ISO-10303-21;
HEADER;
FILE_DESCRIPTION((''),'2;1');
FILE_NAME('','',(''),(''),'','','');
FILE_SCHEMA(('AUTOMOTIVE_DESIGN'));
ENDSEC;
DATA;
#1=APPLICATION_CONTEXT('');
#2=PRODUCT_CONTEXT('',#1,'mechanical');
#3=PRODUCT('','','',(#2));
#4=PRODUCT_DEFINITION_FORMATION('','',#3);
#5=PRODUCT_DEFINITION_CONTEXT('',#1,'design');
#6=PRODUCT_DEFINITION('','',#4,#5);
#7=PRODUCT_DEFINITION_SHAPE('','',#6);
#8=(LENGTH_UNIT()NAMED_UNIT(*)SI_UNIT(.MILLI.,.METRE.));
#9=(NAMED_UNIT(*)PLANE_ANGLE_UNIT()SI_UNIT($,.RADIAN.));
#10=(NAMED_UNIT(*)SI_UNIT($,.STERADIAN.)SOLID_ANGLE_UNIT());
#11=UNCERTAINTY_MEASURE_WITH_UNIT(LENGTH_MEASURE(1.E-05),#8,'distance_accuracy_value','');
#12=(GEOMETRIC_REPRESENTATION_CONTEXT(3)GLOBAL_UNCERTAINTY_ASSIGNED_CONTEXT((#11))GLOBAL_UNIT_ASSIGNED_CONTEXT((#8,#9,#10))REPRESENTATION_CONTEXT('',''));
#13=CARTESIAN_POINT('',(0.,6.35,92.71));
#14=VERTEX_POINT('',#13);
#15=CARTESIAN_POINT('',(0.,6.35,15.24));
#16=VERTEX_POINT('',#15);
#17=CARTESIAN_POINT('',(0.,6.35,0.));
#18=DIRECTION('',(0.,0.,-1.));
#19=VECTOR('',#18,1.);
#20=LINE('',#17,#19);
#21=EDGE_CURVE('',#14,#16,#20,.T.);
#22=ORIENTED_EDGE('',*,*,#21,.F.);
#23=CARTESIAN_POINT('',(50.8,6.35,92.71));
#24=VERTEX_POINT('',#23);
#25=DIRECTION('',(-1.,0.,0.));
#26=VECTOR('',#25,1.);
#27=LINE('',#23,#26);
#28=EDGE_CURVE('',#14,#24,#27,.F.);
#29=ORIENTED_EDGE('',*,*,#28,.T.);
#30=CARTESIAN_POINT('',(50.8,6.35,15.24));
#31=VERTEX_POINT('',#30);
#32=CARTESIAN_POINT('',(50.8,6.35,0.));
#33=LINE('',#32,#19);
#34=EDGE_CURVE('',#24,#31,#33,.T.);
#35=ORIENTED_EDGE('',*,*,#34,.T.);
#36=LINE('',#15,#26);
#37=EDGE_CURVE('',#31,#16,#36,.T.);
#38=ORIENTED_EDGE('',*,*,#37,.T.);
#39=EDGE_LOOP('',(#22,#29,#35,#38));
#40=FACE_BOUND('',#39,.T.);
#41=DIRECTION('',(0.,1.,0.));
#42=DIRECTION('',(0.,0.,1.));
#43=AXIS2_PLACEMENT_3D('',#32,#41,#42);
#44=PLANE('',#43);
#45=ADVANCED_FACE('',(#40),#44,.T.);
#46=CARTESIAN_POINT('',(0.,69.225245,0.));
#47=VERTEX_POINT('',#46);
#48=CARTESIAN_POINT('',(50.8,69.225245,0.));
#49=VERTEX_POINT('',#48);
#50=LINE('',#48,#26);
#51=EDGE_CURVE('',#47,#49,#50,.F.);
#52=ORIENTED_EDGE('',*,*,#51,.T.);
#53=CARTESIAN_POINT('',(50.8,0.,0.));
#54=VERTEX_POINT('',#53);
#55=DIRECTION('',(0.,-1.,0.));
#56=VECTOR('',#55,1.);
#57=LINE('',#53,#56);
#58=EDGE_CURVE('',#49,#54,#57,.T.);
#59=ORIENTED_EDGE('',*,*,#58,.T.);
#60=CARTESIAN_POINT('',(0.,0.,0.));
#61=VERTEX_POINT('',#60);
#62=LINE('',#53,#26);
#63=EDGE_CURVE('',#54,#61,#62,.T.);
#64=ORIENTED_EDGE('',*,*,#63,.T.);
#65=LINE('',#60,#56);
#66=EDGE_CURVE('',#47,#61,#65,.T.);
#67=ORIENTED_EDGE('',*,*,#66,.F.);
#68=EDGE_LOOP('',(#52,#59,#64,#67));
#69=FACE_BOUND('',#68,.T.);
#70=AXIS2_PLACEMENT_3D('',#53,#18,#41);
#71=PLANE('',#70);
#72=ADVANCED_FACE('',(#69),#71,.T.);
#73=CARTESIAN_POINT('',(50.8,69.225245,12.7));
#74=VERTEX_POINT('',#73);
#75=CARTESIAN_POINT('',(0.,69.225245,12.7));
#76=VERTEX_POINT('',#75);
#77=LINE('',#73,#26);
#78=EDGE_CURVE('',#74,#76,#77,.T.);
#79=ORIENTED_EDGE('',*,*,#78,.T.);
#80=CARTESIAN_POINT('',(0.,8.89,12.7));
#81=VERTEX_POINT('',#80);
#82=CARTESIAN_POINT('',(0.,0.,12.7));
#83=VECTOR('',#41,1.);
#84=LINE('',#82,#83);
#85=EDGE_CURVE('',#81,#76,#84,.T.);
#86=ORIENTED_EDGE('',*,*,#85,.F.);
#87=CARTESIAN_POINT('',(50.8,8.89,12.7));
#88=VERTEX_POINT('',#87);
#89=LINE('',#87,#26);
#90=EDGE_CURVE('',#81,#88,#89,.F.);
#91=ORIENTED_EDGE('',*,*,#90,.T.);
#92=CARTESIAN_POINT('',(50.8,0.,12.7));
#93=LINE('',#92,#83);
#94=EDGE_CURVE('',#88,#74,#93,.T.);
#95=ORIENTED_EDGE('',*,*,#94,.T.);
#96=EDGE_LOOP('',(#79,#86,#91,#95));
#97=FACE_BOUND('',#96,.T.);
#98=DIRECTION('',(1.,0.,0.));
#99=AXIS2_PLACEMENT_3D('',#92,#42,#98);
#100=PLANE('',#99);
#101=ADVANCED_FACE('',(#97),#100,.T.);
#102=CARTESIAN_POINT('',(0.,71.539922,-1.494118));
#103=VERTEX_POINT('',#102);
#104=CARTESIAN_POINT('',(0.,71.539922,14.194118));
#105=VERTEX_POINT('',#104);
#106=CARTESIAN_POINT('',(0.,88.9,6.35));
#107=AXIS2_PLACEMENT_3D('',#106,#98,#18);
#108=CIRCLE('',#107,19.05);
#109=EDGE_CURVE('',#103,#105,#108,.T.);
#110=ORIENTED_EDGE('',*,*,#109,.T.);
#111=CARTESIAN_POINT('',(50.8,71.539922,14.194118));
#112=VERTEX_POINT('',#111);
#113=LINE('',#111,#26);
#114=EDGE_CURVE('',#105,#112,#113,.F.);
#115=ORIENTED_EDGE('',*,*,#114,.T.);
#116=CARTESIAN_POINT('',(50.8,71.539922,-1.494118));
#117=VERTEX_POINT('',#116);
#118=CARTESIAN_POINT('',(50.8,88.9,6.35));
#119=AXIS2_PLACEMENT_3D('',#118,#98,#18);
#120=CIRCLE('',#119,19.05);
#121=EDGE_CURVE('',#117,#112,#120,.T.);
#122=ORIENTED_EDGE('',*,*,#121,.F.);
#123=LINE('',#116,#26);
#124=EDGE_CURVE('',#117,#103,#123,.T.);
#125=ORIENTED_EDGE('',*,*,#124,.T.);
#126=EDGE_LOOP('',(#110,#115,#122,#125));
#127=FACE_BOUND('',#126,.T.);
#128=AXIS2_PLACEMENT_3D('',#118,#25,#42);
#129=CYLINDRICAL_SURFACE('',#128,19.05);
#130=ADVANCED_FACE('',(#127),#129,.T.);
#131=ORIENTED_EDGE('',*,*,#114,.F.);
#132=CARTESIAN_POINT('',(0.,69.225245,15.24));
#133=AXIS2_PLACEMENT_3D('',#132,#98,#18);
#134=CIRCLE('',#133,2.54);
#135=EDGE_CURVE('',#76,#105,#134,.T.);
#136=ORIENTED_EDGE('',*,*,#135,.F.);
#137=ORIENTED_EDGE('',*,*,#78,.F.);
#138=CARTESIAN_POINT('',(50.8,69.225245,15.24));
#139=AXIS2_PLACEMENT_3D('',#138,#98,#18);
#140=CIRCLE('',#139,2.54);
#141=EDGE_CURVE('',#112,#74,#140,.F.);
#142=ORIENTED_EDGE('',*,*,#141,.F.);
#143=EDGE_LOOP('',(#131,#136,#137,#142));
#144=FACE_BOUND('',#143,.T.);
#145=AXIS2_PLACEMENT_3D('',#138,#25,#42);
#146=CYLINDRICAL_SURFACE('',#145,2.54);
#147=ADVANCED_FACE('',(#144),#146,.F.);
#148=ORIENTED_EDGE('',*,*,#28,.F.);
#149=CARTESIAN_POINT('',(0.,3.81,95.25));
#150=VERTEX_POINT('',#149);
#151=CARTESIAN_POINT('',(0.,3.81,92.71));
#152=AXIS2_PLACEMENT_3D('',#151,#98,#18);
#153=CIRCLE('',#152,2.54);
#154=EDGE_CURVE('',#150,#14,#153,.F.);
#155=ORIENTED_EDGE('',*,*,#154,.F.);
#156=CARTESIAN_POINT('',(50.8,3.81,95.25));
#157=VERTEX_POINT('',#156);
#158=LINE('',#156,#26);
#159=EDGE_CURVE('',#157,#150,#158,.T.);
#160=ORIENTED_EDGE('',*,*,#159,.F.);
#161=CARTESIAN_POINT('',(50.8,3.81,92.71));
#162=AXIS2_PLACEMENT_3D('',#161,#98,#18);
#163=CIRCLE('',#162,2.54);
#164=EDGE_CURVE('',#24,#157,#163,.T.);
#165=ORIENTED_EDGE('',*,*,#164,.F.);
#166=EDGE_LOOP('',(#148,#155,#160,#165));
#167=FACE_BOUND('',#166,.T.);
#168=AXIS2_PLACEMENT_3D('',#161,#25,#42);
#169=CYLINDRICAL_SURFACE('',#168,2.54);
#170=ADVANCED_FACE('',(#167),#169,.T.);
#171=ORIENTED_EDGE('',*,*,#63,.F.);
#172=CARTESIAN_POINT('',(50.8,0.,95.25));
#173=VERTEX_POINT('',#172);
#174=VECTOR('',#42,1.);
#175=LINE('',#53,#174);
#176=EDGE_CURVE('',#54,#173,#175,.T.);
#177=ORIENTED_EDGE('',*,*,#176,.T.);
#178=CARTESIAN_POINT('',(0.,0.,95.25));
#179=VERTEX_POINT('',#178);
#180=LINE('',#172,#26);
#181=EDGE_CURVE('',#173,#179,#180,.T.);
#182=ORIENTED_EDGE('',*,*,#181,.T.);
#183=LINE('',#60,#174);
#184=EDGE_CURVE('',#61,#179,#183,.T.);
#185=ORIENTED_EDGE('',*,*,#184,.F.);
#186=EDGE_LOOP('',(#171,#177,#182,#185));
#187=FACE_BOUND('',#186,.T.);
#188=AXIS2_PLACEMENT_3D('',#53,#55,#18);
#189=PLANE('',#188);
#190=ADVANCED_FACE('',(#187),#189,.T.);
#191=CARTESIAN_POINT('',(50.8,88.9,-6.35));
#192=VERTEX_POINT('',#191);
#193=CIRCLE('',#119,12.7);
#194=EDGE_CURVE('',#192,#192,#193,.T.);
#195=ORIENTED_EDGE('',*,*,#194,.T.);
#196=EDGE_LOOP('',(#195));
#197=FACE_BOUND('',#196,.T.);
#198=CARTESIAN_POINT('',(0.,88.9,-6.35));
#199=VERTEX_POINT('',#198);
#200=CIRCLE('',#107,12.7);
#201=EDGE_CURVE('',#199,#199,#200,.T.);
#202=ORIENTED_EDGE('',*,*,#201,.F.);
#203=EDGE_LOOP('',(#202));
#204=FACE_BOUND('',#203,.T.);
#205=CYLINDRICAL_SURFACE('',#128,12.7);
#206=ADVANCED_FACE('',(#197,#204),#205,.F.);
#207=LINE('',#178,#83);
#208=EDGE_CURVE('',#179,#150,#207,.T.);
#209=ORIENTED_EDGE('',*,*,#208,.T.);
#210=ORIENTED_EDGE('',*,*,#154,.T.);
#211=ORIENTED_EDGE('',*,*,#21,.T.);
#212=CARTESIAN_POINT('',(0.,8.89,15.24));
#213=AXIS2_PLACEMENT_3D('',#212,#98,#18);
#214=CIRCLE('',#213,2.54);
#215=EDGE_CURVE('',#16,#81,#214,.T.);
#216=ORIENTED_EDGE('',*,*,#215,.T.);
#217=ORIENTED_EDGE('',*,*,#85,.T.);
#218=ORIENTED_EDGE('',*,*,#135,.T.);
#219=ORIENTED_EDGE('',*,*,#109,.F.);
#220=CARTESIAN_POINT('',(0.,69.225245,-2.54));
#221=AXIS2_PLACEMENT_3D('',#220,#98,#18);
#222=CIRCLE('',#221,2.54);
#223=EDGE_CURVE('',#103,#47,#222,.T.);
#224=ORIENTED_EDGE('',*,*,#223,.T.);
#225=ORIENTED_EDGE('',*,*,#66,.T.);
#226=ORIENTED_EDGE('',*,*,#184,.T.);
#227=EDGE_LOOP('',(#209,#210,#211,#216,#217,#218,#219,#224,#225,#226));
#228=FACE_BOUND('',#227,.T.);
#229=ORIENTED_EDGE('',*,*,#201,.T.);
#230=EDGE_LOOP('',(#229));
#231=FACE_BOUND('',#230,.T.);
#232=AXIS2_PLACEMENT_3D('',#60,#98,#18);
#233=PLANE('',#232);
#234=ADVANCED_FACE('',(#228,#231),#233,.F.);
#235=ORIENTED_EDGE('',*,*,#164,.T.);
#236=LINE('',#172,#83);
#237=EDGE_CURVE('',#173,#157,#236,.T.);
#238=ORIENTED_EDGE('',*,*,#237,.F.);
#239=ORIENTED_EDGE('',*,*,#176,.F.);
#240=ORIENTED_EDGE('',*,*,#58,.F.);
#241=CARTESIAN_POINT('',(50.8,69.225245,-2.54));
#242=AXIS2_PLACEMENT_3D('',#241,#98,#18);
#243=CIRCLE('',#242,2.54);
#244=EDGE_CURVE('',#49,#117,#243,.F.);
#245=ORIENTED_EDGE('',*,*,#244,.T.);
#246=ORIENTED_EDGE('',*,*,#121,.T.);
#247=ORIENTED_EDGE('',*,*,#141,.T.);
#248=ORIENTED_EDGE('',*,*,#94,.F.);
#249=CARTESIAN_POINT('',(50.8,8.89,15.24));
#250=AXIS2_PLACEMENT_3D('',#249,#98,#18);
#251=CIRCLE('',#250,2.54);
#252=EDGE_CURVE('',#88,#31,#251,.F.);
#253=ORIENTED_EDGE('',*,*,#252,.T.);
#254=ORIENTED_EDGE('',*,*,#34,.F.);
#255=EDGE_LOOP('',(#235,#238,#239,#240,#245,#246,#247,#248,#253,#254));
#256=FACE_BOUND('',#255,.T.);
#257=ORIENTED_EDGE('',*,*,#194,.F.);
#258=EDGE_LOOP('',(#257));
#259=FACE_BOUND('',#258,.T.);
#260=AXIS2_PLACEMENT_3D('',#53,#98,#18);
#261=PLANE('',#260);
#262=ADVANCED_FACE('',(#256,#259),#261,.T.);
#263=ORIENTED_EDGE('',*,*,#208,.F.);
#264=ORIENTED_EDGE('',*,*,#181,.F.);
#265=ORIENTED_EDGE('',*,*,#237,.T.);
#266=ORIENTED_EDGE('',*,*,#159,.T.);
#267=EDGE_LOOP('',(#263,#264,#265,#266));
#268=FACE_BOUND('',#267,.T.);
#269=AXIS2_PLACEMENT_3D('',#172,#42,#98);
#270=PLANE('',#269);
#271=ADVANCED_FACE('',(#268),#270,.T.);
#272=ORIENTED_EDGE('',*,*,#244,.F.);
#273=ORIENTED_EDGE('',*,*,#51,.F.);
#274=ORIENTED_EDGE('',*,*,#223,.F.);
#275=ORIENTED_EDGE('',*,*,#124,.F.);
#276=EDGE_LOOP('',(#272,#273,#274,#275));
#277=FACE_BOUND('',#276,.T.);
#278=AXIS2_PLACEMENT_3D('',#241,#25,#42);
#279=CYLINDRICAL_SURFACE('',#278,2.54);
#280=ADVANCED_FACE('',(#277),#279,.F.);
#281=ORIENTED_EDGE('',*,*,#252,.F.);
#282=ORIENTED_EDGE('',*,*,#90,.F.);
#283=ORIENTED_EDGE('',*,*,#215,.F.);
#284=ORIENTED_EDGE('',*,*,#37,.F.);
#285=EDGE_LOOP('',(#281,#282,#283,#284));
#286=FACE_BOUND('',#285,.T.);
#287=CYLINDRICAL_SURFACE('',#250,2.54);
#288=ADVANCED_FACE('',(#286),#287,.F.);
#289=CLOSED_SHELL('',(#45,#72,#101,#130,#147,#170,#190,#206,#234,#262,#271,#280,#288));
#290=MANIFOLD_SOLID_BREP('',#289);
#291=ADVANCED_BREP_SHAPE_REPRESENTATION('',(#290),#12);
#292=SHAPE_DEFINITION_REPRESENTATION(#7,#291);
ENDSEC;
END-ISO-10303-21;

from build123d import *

# Parameters (mm, degrees)
SKETCH1_R           = 12.7
BOSS_EXTRUDE1_DEPTH = 50.8
FILLET1_R           = 2.54
FILLET2_R           = 2.54


with BuildPart() as part:
    # Sketch1 → Boss-Extrude1 (new body)
    with BuildSketch(Plane(origin=(0, 0, 0), x_dir=(0, 0, -1), z_dir=(1, 0, 0))):
        with BuildLine():
            Line((-95.25, 0), (0, 0))
            Line((0, 0), (0, 70.939487758))
            ThreePointArc((0, 70.939487758), (-6.35, 69.85), (-12.7, 70.939487758))
            Line((-12.7, 70.939487758), (-12.7, 6.35))
            Line((-12.7, 6.35), (-95.25, 6.35))
            Line((-95.25, 6.35), (-95.25, 0))
        make_face()
        with BuildLine():
            Line((-12.7, 70.939487758), (0, 70.939487758))
            ThreePointArc((0, 70.939487758), (9.204259867, 77.901477372), (12.7, 88.9))
            ThreePointArc((12.7, 88.9), (-17.348522628, 104.454259867), (-12.7, 70.939487758))
        make_face()
        with Locations((-6.35, 88.9)):
            Circle(SKETCH1_R, mode=Mode.SUBTRACT)
        with BuildLine():
            ThreePointArc((-12.7, 70.939487758), (-6.35, 69.85), (0, 70.939487758))
            Line((0, 70.939487758), (-12.7, 70.939487758))
        make_face()
    extrude(amount=BOSS_EXTRUDE1_DEPTH)

    # Fillet1
    fillet1_edges = [part.edges().sort_by_distance(p)[0] for p in [
        (25.4, 6.35, 12.7),
        (25.4, 70.939487758, 12.7),
        (25.4, 70.939487758, 0),
    ]]
    fillet(fillet1_edges, radius=FILLET1_R)

    # Fillet2
    fillet2_edges = [part.edges().sort_by_distance(p)[0] for p in [
        (25.4, 6.35, 95.25),
    ]]
    fillet(fillet2_edges, radius=FILLET2_R)


solid = part.part
